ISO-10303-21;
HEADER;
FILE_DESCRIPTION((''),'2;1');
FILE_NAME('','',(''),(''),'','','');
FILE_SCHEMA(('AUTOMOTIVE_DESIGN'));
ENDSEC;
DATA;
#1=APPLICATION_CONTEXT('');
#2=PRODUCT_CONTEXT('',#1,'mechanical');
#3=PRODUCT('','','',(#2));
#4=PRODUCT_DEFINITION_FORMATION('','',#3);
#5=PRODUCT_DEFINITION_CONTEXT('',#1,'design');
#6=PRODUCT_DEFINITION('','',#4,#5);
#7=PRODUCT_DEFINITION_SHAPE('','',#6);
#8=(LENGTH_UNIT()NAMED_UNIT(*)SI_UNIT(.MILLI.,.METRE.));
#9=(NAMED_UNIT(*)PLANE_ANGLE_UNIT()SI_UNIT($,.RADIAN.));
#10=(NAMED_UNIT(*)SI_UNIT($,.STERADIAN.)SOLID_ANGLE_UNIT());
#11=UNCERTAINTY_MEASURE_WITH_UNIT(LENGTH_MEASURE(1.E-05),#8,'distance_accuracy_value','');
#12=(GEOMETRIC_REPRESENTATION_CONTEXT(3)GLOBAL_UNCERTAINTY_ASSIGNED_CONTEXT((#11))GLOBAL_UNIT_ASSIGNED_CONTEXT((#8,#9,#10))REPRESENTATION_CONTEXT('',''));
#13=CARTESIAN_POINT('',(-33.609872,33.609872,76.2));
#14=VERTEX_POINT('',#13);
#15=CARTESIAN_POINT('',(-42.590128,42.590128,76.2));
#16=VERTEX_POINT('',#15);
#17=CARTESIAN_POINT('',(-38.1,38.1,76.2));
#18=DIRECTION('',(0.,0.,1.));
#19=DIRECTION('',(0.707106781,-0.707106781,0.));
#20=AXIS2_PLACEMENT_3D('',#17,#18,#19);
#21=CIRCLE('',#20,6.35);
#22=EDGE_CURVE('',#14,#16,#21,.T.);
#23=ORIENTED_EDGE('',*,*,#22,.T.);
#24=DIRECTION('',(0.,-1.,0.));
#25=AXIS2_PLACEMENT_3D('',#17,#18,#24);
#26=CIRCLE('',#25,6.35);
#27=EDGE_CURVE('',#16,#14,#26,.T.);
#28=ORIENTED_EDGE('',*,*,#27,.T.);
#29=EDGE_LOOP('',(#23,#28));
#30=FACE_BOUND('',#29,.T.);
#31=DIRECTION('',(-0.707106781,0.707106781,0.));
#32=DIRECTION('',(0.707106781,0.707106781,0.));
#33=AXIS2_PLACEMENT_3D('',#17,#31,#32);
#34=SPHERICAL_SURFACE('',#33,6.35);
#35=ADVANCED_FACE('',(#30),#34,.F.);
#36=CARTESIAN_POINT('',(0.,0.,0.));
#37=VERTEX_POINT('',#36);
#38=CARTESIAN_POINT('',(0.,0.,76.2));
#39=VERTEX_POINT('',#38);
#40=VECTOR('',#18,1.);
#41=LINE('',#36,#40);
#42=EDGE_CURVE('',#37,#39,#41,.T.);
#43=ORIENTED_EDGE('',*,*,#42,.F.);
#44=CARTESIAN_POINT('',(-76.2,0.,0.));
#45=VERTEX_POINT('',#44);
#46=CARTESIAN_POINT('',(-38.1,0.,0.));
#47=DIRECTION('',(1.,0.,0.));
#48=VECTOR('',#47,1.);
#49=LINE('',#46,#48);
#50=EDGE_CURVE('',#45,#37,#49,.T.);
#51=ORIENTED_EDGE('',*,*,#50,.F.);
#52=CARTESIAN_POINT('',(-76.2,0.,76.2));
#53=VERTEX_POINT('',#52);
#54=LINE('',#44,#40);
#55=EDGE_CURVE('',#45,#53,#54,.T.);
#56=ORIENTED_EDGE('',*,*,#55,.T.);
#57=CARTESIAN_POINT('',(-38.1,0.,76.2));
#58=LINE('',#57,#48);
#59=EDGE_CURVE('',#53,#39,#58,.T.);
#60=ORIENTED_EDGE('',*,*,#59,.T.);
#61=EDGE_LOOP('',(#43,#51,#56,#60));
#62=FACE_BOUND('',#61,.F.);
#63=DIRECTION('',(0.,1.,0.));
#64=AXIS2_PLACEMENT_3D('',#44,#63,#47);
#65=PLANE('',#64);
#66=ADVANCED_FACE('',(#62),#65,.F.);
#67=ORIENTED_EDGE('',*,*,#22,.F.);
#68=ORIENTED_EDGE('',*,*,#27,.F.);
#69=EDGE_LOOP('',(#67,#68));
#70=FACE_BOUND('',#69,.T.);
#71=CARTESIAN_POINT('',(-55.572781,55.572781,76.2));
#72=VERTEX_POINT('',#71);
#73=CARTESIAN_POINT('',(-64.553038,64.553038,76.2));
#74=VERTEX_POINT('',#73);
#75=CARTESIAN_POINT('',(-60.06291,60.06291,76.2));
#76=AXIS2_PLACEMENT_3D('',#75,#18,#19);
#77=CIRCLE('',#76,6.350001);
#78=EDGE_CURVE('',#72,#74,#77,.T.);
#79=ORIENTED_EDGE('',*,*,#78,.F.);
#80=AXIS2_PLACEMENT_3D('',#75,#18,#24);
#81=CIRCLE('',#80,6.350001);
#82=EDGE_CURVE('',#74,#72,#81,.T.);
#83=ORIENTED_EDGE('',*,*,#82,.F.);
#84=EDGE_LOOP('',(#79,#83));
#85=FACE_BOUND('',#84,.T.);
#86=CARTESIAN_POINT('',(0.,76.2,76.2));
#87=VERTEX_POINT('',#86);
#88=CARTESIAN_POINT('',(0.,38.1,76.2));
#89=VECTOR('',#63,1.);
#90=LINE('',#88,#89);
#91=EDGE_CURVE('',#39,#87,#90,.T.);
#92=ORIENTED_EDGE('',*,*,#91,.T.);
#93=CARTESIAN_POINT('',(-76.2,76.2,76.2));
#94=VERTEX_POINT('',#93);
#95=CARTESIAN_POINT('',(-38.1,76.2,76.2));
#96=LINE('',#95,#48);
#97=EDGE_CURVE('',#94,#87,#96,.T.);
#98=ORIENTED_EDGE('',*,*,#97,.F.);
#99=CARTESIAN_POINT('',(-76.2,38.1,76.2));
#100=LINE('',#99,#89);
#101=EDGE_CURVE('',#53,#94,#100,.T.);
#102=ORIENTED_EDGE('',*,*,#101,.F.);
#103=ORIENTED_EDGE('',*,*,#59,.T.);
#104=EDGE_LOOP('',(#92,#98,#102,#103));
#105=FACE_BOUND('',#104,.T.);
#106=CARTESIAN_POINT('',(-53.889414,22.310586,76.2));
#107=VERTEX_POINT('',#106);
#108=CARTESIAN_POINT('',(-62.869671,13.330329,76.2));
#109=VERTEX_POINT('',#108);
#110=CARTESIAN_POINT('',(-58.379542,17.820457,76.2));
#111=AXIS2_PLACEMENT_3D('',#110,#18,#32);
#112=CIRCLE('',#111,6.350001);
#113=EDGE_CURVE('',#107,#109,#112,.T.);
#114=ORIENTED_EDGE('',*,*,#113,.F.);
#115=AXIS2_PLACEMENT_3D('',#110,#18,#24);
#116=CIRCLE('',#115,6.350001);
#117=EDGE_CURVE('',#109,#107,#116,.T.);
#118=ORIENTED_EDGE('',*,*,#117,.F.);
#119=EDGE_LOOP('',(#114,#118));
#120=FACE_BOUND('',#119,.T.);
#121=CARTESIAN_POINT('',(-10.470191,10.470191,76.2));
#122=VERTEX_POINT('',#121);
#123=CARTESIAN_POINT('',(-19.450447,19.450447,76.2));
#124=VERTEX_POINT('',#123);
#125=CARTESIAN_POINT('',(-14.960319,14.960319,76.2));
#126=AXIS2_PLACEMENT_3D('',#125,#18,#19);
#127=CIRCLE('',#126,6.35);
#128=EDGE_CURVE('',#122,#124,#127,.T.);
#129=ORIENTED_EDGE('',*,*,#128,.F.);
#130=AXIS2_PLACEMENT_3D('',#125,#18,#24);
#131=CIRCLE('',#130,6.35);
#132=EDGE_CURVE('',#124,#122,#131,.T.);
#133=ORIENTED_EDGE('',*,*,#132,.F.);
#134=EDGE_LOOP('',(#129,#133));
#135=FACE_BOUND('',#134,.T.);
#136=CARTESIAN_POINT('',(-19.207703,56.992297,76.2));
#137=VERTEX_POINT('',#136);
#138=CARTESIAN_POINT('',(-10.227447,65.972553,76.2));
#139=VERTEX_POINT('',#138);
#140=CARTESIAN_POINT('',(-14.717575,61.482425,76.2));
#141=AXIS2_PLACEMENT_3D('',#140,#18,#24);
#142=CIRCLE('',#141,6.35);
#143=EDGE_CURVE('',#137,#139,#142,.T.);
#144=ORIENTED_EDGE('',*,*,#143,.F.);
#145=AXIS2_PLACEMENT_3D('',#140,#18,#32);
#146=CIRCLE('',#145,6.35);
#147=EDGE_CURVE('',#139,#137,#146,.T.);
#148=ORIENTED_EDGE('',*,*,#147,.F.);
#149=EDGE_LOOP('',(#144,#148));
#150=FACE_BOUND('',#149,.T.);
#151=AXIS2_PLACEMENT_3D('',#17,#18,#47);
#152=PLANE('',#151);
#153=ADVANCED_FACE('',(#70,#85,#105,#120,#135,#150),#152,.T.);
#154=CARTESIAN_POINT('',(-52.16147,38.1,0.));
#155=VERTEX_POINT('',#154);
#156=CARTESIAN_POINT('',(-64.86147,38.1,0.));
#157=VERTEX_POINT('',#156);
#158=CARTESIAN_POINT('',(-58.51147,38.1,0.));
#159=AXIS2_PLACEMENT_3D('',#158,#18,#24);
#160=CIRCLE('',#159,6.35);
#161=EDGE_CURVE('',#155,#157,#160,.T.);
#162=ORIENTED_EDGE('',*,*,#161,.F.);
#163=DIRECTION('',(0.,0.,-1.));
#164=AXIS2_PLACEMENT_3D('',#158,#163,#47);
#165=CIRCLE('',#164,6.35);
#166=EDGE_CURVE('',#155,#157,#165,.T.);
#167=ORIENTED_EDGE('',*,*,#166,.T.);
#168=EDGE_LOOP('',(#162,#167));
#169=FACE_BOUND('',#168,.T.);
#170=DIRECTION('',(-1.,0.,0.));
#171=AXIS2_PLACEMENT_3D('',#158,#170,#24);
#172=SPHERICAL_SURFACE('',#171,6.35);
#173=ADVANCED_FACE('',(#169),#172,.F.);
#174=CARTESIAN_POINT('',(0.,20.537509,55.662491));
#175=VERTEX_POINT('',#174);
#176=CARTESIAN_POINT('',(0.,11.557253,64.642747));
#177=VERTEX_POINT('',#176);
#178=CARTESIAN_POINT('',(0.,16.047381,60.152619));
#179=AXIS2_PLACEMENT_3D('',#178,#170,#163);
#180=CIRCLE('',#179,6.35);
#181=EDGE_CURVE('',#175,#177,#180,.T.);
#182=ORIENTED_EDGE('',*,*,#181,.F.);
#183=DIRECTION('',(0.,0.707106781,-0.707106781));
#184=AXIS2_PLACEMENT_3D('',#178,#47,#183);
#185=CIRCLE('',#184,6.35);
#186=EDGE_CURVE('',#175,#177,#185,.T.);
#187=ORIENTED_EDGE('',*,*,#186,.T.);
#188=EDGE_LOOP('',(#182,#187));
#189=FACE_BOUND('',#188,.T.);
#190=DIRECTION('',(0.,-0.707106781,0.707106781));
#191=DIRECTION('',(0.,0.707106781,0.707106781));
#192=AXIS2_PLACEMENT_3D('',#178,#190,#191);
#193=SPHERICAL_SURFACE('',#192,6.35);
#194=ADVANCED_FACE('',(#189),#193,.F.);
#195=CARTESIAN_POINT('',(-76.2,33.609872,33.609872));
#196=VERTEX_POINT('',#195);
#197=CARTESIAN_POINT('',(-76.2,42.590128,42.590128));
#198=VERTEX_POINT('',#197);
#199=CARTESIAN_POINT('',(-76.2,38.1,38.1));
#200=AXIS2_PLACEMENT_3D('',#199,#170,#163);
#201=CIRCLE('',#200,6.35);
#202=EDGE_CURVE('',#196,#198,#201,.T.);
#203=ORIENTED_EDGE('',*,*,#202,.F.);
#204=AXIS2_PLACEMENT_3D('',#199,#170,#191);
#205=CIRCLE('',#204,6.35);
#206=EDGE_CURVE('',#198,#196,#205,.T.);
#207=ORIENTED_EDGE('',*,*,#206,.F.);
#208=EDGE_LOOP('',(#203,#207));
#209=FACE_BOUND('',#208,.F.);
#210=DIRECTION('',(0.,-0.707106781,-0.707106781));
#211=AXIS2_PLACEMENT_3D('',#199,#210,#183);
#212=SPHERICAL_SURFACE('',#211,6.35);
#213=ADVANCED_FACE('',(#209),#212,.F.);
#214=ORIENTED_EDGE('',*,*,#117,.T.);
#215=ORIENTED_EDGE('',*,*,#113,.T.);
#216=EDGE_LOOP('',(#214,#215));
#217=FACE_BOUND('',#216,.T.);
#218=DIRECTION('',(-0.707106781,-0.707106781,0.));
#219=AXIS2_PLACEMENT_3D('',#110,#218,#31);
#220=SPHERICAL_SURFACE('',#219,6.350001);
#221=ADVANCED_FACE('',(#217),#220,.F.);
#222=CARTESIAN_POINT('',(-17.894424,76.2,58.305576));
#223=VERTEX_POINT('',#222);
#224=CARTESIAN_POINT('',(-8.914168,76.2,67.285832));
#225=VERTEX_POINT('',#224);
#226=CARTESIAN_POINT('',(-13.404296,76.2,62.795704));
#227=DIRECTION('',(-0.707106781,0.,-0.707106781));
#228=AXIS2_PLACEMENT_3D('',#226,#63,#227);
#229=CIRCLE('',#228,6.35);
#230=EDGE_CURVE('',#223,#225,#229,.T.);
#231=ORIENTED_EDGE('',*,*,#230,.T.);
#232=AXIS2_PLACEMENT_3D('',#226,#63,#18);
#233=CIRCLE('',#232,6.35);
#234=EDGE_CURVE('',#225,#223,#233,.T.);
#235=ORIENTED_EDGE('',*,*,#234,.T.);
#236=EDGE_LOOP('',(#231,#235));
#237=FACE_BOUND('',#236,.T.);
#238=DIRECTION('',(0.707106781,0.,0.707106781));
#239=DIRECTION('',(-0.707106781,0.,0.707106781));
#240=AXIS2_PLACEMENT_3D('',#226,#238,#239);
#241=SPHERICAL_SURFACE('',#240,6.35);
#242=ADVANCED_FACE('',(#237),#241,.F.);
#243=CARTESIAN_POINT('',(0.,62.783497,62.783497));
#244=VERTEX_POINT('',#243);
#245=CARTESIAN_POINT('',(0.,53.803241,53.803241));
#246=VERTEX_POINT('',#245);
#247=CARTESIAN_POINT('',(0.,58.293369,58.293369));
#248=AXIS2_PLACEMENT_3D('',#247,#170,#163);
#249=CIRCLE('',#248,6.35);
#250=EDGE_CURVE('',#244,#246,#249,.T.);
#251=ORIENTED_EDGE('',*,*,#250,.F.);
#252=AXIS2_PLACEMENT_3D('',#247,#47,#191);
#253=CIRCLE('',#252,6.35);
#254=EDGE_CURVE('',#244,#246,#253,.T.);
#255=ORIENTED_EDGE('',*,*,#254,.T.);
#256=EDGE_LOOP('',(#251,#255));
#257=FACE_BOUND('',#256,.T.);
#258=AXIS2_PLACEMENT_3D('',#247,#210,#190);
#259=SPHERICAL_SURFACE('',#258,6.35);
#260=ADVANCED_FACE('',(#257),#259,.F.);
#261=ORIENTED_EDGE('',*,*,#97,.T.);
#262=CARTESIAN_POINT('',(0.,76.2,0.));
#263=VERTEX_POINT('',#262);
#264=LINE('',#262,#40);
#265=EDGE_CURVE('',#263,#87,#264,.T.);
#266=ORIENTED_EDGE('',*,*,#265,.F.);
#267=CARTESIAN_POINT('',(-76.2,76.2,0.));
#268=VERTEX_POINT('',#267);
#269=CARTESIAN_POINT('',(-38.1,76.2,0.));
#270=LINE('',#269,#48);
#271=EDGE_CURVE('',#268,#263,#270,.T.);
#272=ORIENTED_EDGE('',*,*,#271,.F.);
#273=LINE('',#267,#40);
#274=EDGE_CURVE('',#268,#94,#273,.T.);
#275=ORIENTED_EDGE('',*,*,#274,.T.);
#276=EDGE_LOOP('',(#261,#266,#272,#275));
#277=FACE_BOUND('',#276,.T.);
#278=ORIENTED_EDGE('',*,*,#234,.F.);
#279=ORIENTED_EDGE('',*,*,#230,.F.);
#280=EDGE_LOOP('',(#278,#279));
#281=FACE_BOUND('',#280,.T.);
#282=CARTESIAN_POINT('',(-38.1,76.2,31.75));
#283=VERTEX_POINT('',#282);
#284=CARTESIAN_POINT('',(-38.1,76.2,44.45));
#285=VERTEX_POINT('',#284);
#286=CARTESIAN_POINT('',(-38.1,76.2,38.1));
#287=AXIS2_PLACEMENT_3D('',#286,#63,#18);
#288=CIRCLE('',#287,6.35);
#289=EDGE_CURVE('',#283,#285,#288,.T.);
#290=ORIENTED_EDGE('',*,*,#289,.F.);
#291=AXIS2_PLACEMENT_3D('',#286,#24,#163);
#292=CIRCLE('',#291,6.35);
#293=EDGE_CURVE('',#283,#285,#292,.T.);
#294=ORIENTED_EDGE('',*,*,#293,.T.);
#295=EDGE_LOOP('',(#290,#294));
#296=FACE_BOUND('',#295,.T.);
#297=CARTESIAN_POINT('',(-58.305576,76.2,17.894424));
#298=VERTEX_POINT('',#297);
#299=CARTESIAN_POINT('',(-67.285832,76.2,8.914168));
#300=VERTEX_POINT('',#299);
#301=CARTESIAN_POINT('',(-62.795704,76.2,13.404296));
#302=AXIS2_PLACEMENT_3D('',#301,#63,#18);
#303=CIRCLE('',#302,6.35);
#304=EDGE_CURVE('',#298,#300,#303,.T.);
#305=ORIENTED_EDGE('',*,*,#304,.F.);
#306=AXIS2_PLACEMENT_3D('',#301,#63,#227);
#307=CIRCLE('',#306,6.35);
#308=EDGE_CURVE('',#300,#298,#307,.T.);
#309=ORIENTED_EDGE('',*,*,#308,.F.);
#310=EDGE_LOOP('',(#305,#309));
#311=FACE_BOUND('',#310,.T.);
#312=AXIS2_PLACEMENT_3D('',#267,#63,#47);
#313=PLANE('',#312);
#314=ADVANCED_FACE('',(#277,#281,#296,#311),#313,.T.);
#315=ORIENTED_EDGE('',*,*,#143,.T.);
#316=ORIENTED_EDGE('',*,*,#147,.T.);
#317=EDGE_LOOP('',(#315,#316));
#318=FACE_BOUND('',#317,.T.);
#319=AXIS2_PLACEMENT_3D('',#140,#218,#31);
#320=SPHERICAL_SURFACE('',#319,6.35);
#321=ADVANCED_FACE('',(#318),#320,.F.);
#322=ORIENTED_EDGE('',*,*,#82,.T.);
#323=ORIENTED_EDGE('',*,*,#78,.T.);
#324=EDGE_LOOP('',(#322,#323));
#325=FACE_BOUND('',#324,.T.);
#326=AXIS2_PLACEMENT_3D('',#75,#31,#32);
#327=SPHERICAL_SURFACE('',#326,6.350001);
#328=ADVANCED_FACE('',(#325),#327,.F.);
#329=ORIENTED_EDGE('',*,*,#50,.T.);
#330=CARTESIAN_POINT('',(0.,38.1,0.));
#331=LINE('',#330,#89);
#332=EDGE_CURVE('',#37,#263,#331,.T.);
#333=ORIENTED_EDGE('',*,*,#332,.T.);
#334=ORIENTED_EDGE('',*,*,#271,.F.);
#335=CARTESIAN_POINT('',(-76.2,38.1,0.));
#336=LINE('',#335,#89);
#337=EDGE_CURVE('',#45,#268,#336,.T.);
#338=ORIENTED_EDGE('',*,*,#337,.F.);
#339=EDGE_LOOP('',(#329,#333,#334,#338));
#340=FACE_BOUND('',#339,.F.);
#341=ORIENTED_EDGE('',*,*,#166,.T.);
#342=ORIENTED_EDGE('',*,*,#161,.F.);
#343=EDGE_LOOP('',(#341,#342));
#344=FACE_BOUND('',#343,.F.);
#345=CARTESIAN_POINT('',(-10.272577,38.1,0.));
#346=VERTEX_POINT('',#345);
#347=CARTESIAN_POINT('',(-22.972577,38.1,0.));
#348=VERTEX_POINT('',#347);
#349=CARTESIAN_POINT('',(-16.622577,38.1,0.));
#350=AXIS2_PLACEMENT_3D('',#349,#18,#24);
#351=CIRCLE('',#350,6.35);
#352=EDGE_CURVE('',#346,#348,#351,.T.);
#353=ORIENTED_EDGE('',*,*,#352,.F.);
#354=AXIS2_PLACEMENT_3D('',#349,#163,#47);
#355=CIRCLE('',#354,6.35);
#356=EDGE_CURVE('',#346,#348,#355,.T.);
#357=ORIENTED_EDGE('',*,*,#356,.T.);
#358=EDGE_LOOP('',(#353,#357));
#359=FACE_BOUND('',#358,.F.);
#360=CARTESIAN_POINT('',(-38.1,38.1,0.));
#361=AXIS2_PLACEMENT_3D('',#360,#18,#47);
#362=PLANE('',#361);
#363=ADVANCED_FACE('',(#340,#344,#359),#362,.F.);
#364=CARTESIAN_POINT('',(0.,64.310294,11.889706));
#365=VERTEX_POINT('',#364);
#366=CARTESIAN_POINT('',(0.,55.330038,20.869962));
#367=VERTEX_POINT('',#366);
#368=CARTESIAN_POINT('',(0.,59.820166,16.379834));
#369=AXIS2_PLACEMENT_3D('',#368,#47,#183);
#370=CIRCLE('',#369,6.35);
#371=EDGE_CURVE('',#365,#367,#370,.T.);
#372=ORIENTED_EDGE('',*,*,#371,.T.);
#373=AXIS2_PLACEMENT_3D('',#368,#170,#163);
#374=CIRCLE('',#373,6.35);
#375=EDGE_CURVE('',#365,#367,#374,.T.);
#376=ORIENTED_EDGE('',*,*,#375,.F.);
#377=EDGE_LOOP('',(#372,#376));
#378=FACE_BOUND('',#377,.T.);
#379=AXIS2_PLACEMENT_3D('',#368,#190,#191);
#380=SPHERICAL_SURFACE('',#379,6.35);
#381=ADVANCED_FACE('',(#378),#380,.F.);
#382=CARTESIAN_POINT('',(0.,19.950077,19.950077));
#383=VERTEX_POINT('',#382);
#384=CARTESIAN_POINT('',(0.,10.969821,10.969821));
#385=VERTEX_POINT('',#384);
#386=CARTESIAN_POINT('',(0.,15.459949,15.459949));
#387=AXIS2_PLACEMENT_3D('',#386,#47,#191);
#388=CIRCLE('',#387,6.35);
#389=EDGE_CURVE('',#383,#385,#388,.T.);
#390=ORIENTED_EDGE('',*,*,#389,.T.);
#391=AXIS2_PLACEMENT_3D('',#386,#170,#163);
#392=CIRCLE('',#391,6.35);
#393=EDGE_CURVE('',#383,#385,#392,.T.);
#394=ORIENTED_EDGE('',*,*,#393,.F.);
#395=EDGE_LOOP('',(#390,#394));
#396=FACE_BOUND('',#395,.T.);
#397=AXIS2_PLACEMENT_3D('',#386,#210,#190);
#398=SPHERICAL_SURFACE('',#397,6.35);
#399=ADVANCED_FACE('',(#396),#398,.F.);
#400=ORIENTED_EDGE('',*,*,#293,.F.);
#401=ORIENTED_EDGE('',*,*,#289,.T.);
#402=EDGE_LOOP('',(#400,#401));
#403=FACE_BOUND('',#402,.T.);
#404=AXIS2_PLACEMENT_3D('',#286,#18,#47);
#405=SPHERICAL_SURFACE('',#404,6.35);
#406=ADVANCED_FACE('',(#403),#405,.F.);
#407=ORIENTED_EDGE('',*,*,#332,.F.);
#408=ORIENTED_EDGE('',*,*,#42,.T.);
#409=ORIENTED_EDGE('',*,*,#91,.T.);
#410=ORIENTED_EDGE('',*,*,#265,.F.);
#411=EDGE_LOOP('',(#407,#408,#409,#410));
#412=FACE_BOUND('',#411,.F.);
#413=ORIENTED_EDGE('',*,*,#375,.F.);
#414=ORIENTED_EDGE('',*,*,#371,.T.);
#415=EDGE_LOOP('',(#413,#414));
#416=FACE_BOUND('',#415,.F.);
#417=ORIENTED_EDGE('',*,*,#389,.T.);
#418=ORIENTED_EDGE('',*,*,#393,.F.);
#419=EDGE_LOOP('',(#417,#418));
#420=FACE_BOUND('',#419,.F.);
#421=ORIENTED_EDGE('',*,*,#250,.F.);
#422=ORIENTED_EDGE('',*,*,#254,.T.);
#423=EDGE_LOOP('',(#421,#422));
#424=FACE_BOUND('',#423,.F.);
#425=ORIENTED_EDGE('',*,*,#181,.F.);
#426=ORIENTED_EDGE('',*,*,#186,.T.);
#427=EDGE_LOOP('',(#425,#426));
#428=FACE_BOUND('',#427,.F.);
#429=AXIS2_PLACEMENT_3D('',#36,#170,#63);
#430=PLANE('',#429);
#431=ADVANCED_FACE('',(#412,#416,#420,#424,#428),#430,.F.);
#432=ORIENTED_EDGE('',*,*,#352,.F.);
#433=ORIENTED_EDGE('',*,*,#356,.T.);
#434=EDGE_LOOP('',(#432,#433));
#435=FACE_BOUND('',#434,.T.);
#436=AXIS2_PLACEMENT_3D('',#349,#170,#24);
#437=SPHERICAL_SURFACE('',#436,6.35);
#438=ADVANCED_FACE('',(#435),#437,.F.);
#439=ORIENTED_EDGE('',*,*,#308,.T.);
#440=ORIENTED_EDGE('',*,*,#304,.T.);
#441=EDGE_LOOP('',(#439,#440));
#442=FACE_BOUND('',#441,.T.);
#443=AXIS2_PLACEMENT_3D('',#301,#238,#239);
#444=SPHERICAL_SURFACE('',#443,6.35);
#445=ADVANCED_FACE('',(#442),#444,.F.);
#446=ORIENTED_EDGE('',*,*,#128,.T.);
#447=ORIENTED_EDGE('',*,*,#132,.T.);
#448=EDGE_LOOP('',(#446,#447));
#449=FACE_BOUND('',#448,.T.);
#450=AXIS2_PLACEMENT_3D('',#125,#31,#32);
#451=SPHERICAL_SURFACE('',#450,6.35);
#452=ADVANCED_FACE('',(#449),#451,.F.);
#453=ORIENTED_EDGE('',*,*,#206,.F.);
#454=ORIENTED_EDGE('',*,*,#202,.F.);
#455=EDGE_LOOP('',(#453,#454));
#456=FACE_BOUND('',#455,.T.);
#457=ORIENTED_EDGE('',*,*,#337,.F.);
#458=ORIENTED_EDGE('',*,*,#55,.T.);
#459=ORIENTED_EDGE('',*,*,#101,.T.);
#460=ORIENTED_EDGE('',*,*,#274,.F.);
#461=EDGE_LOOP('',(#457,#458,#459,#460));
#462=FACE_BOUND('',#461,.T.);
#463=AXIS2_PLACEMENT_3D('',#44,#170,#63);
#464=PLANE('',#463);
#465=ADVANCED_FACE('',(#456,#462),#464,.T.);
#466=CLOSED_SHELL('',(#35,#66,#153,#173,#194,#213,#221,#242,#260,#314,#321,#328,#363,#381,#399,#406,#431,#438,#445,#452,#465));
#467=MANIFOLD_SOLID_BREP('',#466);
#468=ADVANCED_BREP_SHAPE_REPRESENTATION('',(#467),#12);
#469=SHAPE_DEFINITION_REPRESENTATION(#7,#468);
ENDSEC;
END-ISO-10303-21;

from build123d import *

# Parameters (mm, degrees)
F0_W     = 76.2
F0_H     = 76.2
F1_DEPTH = 76.2


with BuildPart() as f1:
    # F0 (on Top) → F1 (new body)
    with BuildSketch(Plane.XY):
        with Locations((-38.1, 38.1)):
            Rectangle(F0_W, F0_H)
    extrude(amount=F1_DEPTH)

    # F3 (on offset) → F4 (revolve, cut)
    with BuildSketch(Plane.XZ.offset(-76.2)):
        with BuildLine():
            ThreePointArc((-38.1, 31.75), (-31.75, 38.1), (-38.1, 44.45))
            Line((-38.1, 44.45), (-38.1, 31.75))
        make_face()
    revolve(axis=Axis((-38.1, 76.2, 38.1), (0, 0, -1)), mode=Mode.SUBTRACT)

    # F5 (on face) → F6 (revolve, cut)
    with BuildSketch(Plane(origin=(-76.2, 0, 0), x_dir=(0, -1, 0), z_dir=(-1, 0, 0))):
        with BuildLine():
            Line((-33.609872, 33.609872), (-42.590128, 42.590128))
            ThreePointArc((-42.590128, 42.590128), (-42.590128, 33.609872), (-33.609872, 33.609872))
        make_face()
    revolve(axis=Axis((-76.2, 38.1, 38.1), (0, -0.707107, -0.707107)), mode=Mode.SUBTRACT)

    # F7 (on face) → F8 (revolve, cut)
    with BuildSketch(Plane(origin=(0, 76.2, 0), x_dir=(-1, 0, 0), z_dir=(0, 1, 0))):
        with BuildLine():
            ThreePointArc((17.894424, 58.305576), (17.894424, 67.285832), (8.914168, 67.285832))
            Line((8.914168, 67.285832), (17.894424, 58.305576))
        make_face()
        with BuildLine():
            ThreePointArc((67.285832, 8.914168), (67.285832, 17.894424), (58.305576, 17.894424))
            Line((58.305576, 17.894424), (67.285832, 8.914168))
        make_face()
    revolve(axis=Axis((-38.1, 76.2, 38.1), (-0.707107, 0, -0.707107)), mode=Mode.SUBTRACT)

    # F9 (on face) → F10 (revolve, cut)
    with BuildSketch(Plane.YZ):
        with BuildLine():
            ThreePointArc((20.537509, 55.662491), (20.537509, 64.642747), (11.557253, 64.642747))
            Line((11.557253, 64.642747), (20.537509, 55.662491))
        make_face()
        with BuildLine():
            ThreePointArc((64.310294, 11.889706), (64.310294, 20.869962), (55.330038, 20.869962))
            Line((55.330038, 20.869962), (64.310294, 11.889706))
        make_face()
    revolve(axis=Axis((0, 38.1, 38.1), (0, 0.707107, -0.707107)), mode=Mode.SUBTRACT)

    # F11 (on face) → F12 (revolve, cut)
    with BuildSketch(Plane.YZ):
        with BuildLine():
            ThreePointArc((19.950077, 19.950077), (10.969821, 19.950077), (10.969821, 10.969821))
            Line((10.969821, 10.969821), (19.950077, 19.950077))
        make_face()
        with BuildLine():
            ThreePointArc((62.783497, 62.783497), (53.803241, 62.783497), (53.803241, 53.803241))
            Line((53.803241, 53.803241), (62.783497, 62.783497))
        make_face()
    revolve(axis=Axis((0, 38.1, 38.1), (0, 0.707107, 0.707107)), mode=Mode.SUBTRACT)

    # F13 (on face) → F14 (revolve, cut)
    with BuildSketch(Plane(origin=(0, 0, 0), x_dir=(1, 0, 0), z_dir=(0, 0, -1))):
        with BuildLine():
            ThreePointArc((-52.16147, -38.1), (-58.51147, -31.75), (-64.86147, -38.1))
            Line((-64.86147, -38.1), (-52.16147, -38.1))
        make_face()
        with BuildLine():
            ThreePointArc((-10.272577, -38.1), (-16.622577, -31.75), (-22.972577, -38.1))
            Line((-22.972577, -38.1), (-10.272577, -38.1))
        make_face()
    revolve(axis=Axis((-38.1, 38.1, 0), (1, 0, 0)), mode=Mode.SUBTRACT)

    # F15 (on face) → F16 (revolve, cut)
    with BuildSketch(Plane.XY.offset(76.2)):
        with BuildLine():
            ThreePointArc((-55.572781, 55.572781), (-55.572781, 64.553038), (-64.553038, 64.553038))
            Line((-64.553038, 64.553038), (-55.572781, 55.572781))
        make_face()
        with BuildLine():
            ThreePointArc((-33.609872, 33.609872), (-33.609872, 42.590128), (-42.590128, 42.590128))
            Line((-42.590128, 42.590128), (-33.609872, 33.609872))
        make_face()
        with BuildLine():
            Line((-19.450447, 19.450447), (-10.470191, 10.470191))
            ThreePointArc((-10.470191, 10.470191), (-10.470191, 19.450447), (-19.450447, 19.450447))
        make_face()
    revolve(axis=Axis((-38.1, 38.1, 76.2), (0.707107, -0.707107, 0)), mode=Mode.SUBTRACT)

    # F17 (on face) → F18 (revolve, cut)
    with BuildSketch(Plane.XY.offset(76.2)):
        with BuildLine():
            ThreePointArc((-53.889414, 22.310586), (-62.869671, 22.310586), (-62.869671, 13.330329))
            Line((-62.869671, 13.330329), (-53.889414, 22.310586))
        make_face()
        with BuildLine():
            ThreePointArc((-10.227447, 65.972553), (-19.207703, 65.972553), (-19.207703, 56.992297))
            Line((-19.207703, 56.992297), (-10.227447, 65.972553))
        make_face()
    revolve(axis=Axis((-38.1, 38.1, 76.2), (0.707107, 0.707107, 0)), mode=Mode.SUBTRACT)


solid = f1.part
